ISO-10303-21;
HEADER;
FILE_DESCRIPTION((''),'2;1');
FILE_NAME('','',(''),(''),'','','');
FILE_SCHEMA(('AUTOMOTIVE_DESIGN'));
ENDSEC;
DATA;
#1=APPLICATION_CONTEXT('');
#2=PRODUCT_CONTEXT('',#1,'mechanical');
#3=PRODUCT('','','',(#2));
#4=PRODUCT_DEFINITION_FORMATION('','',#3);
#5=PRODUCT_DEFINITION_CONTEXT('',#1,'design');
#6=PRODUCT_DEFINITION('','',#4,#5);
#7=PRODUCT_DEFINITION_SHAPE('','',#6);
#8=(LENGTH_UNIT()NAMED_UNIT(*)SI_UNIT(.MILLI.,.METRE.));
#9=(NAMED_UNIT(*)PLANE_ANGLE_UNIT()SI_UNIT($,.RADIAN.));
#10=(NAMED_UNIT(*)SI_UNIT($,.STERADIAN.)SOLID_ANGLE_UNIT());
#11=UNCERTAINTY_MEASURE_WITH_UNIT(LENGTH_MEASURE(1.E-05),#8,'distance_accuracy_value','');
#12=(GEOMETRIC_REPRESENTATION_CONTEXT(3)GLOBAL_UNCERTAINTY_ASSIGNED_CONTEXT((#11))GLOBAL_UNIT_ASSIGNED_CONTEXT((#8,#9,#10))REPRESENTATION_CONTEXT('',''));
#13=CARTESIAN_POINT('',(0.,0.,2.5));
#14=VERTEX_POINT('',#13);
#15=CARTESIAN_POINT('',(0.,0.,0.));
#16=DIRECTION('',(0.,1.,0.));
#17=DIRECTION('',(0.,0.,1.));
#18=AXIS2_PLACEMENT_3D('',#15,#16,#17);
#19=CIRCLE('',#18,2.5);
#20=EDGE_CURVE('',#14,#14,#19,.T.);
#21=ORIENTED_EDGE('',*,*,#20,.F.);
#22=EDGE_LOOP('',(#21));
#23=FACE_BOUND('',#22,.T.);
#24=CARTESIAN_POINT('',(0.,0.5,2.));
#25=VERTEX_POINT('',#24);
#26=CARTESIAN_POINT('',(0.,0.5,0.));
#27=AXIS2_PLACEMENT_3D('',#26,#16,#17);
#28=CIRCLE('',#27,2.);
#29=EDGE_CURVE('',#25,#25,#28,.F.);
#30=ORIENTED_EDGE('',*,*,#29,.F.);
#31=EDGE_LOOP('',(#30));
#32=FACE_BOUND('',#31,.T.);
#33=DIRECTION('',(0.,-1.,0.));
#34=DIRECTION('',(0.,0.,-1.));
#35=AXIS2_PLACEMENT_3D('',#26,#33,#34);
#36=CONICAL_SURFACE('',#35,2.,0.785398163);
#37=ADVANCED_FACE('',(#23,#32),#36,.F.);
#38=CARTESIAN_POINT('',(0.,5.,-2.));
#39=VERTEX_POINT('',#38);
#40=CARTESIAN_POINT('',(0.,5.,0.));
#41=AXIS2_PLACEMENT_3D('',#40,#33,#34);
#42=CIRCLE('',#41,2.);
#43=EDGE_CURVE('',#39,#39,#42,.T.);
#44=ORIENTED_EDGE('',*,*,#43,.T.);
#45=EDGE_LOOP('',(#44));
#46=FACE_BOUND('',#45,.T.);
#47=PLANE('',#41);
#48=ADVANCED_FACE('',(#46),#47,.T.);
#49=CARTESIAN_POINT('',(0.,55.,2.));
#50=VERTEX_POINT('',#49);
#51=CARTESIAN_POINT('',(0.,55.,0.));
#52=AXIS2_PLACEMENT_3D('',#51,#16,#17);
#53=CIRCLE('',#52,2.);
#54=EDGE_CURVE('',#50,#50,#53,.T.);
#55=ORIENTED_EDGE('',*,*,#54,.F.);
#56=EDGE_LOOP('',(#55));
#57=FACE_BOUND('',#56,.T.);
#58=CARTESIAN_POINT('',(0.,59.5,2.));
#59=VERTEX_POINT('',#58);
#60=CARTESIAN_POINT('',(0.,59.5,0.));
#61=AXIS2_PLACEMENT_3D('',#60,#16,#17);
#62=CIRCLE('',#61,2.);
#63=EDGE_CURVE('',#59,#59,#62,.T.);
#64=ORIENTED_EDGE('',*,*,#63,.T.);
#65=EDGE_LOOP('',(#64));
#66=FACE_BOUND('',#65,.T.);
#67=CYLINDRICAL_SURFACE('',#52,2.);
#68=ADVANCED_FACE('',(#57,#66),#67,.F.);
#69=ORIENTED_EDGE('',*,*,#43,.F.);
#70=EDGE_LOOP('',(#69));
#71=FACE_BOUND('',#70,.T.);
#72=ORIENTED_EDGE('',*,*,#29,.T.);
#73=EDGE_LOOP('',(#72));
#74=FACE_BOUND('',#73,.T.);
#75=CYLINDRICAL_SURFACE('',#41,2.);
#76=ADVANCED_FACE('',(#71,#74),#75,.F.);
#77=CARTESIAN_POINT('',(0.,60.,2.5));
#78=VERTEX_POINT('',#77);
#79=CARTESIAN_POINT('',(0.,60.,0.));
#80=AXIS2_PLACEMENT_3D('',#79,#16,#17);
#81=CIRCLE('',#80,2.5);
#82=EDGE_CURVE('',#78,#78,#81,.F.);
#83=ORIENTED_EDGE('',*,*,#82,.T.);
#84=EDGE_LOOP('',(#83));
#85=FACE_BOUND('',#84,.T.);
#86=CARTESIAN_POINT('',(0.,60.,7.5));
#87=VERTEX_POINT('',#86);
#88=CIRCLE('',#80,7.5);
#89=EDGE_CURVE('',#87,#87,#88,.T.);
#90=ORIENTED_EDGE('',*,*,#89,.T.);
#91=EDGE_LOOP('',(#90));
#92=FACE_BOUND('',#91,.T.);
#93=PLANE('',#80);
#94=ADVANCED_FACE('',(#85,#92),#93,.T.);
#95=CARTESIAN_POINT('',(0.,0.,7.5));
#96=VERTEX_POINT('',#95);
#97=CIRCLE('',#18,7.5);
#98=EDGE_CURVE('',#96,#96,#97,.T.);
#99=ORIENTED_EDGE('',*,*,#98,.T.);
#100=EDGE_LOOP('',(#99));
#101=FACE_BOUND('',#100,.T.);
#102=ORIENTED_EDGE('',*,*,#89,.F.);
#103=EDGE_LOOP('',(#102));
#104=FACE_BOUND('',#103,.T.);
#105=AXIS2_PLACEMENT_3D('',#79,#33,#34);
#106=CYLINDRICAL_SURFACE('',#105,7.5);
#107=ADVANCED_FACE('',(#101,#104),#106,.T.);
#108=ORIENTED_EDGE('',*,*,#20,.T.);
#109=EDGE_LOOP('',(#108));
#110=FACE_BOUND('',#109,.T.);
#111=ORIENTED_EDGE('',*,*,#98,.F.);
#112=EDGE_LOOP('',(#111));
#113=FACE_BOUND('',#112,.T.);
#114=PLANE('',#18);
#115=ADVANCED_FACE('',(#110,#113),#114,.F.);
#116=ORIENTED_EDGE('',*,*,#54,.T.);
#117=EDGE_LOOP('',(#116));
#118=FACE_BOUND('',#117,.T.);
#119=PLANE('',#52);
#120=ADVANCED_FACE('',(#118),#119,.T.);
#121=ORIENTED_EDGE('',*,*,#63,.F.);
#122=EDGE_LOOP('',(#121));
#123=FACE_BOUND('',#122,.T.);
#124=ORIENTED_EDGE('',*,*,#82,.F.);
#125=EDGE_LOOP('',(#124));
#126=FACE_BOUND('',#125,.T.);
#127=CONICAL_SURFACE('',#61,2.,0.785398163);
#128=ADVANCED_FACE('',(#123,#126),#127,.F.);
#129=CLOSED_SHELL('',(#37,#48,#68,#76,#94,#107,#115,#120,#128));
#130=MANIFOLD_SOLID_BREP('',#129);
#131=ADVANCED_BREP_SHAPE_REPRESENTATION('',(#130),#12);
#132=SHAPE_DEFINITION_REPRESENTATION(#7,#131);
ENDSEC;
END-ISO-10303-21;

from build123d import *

# Parameters (mm, degrees)
SKETCH1_R           = 7.5
BOSS_EXTRUDE1_DEPTH = 60
SKETCH2_R           = 2
CUT_EXTRUDE1_DEPTH  = 5
CHAMFER1_SIZE       = 0.5
CUT_EXTRUDE2_START  = -5
SKETCH3_R           = 2
CUT_EXTRUDE2_DEPTH  = 5
CHAMFER2_SIZE       = 0.5


with BuildPart() as part:
    # Sketch1 → Boss-Extrude1 (new body)
    with BuildSketch(Plane(origin=(0, 0, 0), x_dir=(1, 0, 0), z_dir=(0, 1, 0))):
        with Locations(Location((0, 0, 0), (0, 0, 270))):
            Circle(SKETCH1_R)
    extrude(amount=BOSS_EXTRUDE1_DEPTH)

    # Sketch2 → Cut-Extrude1 (cut)
    with BuildSketch(Plane(origin=(0, 60, 0), x_dir=(1, 0, 0), z_dir=(0, 1, 0))):
        with Locations(Location((0, 0, 0), (0, 0, 270))):
            Circle(SKETCH2_R)
    extrude(amount=-CUT_EXTRUDE1_DEPTH, mode=Mode.SUBTRACT)

    # Chamfer1
    chamfer1_edges = [part.edges().sort_by_distance(p)[0] for p in [
        (0, 60, -2),
    ]]
    chamfer(chamfer1_edges, length=CHAMFER1_SIZE)

    # Sketch3 → Cut-Extrude2 (cut)
    with BuildSketch(Plane.XZ.offset(CUT_EXTRUDE2_START)):
        with Locations(Location((0, 0, 0), (0, 0, 90))):
            Circle(SKETCH3_R)
    extrude(amount=CUT_EXTRUDE2_DEPTH, mode=Mode.SUBTRACT)

    # Chamfer2
    chamfer2_edges = [part.edges().sort_by_distance(p)[0] for p in [
        (0, 0, -2),
    ]]
    chamfer(chamfer2_edges, length=CHAMFER2_SIZE)


solid = part.part
